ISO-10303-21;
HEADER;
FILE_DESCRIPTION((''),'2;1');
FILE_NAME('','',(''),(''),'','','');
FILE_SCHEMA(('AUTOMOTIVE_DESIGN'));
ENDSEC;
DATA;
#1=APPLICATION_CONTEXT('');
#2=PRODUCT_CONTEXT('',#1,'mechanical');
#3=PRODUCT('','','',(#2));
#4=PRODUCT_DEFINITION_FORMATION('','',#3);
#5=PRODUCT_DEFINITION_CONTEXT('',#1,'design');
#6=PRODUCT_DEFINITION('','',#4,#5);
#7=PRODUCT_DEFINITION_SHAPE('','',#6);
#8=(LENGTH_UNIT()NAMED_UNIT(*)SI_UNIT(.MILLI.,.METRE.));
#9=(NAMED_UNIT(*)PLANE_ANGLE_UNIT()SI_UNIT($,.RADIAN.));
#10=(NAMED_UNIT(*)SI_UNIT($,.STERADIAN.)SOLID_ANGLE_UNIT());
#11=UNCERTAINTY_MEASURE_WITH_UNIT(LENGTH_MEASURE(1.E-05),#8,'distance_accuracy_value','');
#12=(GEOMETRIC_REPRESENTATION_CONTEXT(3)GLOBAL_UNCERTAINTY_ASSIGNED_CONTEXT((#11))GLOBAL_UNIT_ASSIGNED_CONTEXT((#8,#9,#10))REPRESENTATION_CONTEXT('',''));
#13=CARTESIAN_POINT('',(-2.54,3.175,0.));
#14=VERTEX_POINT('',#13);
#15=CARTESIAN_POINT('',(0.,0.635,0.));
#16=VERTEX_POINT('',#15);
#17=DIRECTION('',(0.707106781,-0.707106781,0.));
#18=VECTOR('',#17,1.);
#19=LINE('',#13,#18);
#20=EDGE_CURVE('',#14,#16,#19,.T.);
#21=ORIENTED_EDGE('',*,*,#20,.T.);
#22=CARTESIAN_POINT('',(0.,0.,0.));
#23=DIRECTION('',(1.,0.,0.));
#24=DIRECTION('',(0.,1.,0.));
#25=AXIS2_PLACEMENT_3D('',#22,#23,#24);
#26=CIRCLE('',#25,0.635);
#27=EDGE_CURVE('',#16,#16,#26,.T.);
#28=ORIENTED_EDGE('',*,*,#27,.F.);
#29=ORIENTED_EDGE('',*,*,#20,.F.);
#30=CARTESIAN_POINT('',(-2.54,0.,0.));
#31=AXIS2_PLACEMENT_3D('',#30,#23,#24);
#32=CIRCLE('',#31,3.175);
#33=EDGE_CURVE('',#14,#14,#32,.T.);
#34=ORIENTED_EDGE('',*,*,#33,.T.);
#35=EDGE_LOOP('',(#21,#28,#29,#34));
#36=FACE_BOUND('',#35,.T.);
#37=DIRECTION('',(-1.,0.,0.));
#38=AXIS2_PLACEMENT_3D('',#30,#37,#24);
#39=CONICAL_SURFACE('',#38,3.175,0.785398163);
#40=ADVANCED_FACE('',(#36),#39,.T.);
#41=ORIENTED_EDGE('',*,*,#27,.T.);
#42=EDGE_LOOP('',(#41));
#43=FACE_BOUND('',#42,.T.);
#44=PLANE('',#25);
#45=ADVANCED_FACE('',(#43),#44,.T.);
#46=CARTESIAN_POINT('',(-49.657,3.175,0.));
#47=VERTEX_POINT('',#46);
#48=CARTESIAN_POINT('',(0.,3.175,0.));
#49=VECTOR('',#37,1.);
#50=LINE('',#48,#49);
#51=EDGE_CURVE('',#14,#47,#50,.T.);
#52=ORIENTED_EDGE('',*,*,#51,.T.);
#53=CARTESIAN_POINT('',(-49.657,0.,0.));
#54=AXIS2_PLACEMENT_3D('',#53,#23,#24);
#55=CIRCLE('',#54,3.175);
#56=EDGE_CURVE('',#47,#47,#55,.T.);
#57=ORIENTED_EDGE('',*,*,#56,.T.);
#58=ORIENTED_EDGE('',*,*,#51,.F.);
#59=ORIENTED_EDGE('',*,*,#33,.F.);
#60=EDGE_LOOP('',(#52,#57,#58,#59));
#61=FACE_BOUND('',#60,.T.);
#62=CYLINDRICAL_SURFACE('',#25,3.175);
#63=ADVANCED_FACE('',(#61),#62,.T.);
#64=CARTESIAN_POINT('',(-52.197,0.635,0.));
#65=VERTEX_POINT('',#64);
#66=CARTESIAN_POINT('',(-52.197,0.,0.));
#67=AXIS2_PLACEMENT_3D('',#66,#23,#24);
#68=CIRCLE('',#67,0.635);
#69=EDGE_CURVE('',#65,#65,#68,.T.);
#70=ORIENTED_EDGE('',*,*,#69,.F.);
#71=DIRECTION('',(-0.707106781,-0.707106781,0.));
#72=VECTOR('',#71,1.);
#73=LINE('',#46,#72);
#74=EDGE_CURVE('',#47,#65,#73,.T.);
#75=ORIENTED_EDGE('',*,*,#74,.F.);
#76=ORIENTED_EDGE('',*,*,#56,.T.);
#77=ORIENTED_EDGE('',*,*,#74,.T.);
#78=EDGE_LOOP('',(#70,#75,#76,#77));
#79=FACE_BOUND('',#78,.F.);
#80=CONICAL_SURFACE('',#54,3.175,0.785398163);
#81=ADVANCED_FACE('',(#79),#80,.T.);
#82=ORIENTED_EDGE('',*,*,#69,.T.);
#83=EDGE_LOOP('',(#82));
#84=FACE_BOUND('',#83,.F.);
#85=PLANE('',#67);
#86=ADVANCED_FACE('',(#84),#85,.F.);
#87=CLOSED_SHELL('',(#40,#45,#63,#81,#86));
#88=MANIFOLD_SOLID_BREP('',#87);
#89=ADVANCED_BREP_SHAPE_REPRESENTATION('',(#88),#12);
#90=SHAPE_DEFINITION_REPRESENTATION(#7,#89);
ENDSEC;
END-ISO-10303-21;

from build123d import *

# Parameters (mm, degrees)
F0_R     = 3.175
F1_DEPTH = 52.197
F2_SIZE2 = 2.54
F2_SIZE  = 2.54


with BuildPart() as f1:
    # F0 (on Right) → F1 (new body)
    with BuildSketch(Plane.YZ):
        Circle(F0_R)
    extrude(amount=-F1_DEPTH)

    # F2
    f2_edges = [f1.edges().sort_by_distance(p)[0] for p in [
        (0, -3.175, 0),
        (-52.197, -3.175, 0),
    ]]
    chamfer(f2_edges, length=F2_SIZE, length2=F2_SIZE2)


solid = f1.part
